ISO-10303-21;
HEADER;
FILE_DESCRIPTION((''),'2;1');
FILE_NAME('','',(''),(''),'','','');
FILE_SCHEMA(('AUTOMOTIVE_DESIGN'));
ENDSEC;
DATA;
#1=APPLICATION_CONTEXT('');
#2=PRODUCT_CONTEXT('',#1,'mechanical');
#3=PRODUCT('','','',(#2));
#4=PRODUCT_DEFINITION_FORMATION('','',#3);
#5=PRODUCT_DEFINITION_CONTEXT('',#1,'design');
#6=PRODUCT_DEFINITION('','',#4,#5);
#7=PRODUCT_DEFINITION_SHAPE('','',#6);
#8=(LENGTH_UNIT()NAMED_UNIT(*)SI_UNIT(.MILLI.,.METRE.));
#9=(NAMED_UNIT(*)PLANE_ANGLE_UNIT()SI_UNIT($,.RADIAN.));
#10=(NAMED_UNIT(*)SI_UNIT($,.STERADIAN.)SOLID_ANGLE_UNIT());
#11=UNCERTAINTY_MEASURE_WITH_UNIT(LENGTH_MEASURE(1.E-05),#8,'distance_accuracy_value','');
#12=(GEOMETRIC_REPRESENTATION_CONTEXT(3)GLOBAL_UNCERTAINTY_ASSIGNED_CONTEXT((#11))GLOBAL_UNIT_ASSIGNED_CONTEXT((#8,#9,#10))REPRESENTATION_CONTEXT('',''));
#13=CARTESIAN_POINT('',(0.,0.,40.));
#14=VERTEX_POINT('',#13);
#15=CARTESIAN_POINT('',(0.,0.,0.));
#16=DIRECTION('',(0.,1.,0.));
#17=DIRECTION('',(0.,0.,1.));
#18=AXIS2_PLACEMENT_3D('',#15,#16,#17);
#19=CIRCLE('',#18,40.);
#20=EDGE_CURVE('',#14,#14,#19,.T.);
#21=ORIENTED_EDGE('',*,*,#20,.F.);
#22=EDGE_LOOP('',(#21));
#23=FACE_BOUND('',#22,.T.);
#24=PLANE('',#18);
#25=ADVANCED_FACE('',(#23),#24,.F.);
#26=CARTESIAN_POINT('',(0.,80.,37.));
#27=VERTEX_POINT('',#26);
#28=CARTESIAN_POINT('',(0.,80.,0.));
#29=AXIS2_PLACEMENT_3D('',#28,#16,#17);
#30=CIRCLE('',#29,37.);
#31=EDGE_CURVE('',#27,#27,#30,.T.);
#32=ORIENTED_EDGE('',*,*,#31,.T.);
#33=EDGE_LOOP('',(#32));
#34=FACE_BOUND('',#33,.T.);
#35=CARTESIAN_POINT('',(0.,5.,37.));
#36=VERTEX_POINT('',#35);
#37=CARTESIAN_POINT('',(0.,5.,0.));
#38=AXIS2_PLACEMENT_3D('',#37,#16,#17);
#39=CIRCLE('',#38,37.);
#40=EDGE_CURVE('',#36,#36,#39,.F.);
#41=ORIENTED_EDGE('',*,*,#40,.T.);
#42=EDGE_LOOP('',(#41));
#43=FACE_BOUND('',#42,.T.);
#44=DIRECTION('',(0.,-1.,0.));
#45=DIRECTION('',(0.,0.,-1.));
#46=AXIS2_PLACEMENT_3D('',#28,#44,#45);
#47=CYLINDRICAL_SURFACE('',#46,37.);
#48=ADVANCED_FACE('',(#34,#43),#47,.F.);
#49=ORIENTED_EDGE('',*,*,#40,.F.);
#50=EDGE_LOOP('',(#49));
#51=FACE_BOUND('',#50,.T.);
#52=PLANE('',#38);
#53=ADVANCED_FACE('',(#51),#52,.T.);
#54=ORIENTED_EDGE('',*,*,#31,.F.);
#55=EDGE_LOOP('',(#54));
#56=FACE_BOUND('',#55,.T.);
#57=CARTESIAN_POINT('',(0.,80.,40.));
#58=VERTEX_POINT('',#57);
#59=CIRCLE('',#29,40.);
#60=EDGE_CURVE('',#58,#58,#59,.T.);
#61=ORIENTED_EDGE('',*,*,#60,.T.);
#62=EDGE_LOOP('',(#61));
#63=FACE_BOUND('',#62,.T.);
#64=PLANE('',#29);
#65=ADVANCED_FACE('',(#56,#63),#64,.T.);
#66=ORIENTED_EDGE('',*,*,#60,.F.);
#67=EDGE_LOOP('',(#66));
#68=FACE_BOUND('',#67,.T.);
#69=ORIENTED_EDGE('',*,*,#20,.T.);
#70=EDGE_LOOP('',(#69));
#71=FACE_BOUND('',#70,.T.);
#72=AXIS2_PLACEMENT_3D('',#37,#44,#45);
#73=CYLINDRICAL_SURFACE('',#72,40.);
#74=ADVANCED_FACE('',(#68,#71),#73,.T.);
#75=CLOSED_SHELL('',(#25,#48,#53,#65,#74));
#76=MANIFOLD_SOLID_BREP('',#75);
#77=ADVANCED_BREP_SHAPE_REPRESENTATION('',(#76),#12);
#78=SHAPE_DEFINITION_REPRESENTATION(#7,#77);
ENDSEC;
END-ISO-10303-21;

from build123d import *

# Parameters (mm, degrees)
ESQUISSE1_R      = 40
EXTRUSION1_DEPTH = 5
ESQUISSE2_R      = 40
ESQUISSE2_R_2    = 37
EXTRUSION2_DEPTH = 75


with BuildPart() as part:
    # Esquisse1 → Extrusion1 (new body)
    with BuildSketch(Plane(origin=(0, 0, 0), x_dir=(1, 0, 0), z_dir=(0, 1, 0))):
        Circle(ESQUISSE1_R)
    extrude(amount=EXTRUSION1_DEPTH)

    # Esquisse2 → Extrusion2 (add)
    with BuildSketch(Plane(origin=(0, 5, 0), x_dir=(1, 0, 0), z_dir=(0, 1, 0))):
        Circle(ESQUISSE2_R)
        Circle(ESQUISSE2_R_2, mode=Mode.SUBTRACT)
    extrude(amount=EXTRUSION2_DEPTH)


solid = part.part
